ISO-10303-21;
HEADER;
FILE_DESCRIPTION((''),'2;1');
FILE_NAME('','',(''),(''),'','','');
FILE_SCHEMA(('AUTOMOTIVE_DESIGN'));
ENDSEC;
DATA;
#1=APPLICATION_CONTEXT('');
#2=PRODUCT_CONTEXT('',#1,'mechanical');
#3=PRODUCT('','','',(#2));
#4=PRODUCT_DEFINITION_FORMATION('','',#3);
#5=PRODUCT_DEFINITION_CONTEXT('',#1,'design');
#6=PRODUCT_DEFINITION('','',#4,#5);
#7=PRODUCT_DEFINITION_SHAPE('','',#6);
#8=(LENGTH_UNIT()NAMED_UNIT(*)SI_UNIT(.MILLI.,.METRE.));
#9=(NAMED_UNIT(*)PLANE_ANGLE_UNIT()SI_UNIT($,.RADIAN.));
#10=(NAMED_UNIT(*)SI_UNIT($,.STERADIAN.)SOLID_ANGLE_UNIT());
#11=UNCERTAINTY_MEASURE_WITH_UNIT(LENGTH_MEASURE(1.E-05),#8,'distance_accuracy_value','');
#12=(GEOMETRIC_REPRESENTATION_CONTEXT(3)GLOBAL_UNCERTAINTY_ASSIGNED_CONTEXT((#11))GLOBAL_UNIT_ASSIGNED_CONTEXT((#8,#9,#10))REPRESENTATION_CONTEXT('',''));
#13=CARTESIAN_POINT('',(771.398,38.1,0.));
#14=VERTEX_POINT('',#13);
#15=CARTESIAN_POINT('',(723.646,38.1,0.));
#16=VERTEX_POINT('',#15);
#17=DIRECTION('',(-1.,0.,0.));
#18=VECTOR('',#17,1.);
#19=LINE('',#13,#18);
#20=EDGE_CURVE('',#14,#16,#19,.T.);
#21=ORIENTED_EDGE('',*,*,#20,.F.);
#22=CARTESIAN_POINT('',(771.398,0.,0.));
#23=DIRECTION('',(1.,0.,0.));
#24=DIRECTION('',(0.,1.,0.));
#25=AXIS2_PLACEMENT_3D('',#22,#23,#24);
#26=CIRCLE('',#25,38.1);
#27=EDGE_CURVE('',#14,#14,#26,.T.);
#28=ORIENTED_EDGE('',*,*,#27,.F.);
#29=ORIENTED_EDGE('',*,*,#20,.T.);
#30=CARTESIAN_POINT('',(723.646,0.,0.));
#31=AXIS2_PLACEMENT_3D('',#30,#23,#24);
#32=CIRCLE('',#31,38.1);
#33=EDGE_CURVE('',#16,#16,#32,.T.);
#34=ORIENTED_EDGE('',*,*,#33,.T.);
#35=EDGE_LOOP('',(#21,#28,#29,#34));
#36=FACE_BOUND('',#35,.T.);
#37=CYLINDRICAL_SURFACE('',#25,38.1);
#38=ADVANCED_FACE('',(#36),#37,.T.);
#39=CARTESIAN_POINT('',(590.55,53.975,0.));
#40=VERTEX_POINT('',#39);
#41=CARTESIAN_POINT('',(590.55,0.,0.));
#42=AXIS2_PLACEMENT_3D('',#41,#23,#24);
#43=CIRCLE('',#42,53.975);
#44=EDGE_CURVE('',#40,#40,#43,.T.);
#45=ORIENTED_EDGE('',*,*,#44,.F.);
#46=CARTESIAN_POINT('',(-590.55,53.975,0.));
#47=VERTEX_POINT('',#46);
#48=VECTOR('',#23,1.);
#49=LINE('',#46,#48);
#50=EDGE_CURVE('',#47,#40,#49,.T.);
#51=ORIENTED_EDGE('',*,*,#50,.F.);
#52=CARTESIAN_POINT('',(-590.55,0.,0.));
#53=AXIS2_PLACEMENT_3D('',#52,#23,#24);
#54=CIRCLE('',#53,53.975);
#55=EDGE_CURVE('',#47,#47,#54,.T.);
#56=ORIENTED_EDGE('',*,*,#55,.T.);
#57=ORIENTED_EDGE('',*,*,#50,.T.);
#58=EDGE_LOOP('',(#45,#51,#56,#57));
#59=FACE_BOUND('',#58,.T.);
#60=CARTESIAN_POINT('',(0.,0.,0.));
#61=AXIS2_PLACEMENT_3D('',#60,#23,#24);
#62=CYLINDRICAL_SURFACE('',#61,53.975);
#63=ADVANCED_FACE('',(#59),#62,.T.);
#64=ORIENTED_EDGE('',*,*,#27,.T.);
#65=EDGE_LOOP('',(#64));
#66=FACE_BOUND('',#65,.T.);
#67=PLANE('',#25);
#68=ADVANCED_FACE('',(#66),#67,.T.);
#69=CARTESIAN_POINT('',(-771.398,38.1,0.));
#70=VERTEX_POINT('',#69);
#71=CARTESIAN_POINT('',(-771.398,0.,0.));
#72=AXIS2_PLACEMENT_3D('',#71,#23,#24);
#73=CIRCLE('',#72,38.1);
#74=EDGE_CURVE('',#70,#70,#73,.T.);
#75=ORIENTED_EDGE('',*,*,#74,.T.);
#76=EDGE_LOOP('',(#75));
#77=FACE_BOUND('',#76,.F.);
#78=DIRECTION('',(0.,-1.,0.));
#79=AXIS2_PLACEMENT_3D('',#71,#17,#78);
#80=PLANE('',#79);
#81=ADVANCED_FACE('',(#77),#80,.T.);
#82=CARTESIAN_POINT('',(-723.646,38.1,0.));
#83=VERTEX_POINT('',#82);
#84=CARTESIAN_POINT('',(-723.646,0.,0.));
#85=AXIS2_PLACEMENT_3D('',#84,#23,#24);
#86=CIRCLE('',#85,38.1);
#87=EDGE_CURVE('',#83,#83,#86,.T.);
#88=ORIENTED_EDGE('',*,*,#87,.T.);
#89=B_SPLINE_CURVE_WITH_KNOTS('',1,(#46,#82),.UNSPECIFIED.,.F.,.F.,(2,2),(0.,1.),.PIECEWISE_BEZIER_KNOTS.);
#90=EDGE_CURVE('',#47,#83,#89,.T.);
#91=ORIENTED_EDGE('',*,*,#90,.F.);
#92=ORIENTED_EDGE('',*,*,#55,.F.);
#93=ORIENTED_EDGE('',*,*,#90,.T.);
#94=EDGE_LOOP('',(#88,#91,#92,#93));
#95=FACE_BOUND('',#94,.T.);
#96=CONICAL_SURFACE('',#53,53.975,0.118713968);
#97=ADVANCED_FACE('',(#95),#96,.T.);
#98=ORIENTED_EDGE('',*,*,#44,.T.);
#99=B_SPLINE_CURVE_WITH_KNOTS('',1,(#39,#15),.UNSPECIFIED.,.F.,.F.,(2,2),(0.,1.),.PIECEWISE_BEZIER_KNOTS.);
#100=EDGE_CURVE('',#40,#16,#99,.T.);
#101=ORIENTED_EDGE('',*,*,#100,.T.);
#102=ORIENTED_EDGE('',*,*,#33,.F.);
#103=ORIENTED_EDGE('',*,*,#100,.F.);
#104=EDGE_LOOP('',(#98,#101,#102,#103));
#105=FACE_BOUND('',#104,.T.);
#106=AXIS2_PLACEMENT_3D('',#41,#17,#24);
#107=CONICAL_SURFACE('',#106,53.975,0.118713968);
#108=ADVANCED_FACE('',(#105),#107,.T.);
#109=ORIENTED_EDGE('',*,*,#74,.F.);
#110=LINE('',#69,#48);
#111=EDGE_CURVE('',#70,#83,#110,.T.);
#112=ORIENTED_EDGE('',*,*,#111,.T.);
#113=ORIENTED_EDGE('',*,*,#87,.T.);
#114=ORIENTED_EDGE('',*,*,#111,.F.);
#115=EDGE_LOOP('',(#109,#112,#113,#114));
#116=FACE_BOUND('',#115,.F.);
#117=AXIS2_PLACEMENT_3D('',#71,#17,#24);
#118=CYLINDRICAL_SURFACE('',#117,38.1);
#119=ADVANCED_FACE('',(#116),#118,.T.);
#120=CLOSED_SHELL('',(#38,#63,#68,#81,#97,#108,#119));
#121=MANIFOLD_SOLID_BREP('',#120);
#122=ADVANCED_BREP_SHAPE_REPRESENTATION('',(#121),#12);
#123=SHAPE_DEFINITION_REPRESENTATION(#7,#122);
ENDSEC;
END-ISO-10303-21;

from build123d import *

# Parameters (mm, degrees)
F0_R       = 53.975
F1_DEPTH   = 590.55
F3_R       = 38.1
F4_DEPTH   = 47.752
F1_FACE_R  = 53.975
F4_FACE_R  = 38.1
F1_FACE1_R = 53.975
F5_FACE_R  = 38.1


with BuildPart() as f1:
    # F0 (on Right) → F1 (new body, symmetric)
    with BuildSketch(Plane.YZ):
        Circle(F0_R)
    extrude(amount=F1_DEPTH, both=True)



with BuildPart() as f4:
    # F3 (on offset) → F4 (new body)
    with BuildSketch(Plane.YZ.offset(771.398)):
        Circle(F3_R)
    extrude(amount=-F4_DEPTH)


with BuildPart() as f5_1:
    # F5: instance of F4
    add(f4.part.mirror(Plane.YZ))


with BuildPart() as f1_1:
    add(f1.part)

    add(f4.part)  # F6 merges F4
    # F1_face (on face) → F6 section 0
    with BuildSketch(Plane.YZ.offset(590.55)):
        Circle(F1_FACE_R)
    # F4_face (on face) → F6 section 1
    with BuildSketch(Plane(origin=(723.646, 0, 0), x_dir=(0, 1, 0), z_dir=(-1, 0, 0))):
        Circle(F4_FACE_R)
    loft()


    add(f5_1.part)  # F7 merges F5_1
    # F1_face1 (on face) → F7 section 0
    with BuildSketch(Plane(origin=(-590.55, 0, 0), x_dir=(0, 1, 0), z_dir=(-1, 0, 0))):
        Circle(F1_FACE1_R)
    # F5_face (on face) → F7 section 1
    with BuildSketch(Plane.YZ.offset(-723.646)):
        Circle(F5_FACE_R)
    loft()


solid = f1_1.part
